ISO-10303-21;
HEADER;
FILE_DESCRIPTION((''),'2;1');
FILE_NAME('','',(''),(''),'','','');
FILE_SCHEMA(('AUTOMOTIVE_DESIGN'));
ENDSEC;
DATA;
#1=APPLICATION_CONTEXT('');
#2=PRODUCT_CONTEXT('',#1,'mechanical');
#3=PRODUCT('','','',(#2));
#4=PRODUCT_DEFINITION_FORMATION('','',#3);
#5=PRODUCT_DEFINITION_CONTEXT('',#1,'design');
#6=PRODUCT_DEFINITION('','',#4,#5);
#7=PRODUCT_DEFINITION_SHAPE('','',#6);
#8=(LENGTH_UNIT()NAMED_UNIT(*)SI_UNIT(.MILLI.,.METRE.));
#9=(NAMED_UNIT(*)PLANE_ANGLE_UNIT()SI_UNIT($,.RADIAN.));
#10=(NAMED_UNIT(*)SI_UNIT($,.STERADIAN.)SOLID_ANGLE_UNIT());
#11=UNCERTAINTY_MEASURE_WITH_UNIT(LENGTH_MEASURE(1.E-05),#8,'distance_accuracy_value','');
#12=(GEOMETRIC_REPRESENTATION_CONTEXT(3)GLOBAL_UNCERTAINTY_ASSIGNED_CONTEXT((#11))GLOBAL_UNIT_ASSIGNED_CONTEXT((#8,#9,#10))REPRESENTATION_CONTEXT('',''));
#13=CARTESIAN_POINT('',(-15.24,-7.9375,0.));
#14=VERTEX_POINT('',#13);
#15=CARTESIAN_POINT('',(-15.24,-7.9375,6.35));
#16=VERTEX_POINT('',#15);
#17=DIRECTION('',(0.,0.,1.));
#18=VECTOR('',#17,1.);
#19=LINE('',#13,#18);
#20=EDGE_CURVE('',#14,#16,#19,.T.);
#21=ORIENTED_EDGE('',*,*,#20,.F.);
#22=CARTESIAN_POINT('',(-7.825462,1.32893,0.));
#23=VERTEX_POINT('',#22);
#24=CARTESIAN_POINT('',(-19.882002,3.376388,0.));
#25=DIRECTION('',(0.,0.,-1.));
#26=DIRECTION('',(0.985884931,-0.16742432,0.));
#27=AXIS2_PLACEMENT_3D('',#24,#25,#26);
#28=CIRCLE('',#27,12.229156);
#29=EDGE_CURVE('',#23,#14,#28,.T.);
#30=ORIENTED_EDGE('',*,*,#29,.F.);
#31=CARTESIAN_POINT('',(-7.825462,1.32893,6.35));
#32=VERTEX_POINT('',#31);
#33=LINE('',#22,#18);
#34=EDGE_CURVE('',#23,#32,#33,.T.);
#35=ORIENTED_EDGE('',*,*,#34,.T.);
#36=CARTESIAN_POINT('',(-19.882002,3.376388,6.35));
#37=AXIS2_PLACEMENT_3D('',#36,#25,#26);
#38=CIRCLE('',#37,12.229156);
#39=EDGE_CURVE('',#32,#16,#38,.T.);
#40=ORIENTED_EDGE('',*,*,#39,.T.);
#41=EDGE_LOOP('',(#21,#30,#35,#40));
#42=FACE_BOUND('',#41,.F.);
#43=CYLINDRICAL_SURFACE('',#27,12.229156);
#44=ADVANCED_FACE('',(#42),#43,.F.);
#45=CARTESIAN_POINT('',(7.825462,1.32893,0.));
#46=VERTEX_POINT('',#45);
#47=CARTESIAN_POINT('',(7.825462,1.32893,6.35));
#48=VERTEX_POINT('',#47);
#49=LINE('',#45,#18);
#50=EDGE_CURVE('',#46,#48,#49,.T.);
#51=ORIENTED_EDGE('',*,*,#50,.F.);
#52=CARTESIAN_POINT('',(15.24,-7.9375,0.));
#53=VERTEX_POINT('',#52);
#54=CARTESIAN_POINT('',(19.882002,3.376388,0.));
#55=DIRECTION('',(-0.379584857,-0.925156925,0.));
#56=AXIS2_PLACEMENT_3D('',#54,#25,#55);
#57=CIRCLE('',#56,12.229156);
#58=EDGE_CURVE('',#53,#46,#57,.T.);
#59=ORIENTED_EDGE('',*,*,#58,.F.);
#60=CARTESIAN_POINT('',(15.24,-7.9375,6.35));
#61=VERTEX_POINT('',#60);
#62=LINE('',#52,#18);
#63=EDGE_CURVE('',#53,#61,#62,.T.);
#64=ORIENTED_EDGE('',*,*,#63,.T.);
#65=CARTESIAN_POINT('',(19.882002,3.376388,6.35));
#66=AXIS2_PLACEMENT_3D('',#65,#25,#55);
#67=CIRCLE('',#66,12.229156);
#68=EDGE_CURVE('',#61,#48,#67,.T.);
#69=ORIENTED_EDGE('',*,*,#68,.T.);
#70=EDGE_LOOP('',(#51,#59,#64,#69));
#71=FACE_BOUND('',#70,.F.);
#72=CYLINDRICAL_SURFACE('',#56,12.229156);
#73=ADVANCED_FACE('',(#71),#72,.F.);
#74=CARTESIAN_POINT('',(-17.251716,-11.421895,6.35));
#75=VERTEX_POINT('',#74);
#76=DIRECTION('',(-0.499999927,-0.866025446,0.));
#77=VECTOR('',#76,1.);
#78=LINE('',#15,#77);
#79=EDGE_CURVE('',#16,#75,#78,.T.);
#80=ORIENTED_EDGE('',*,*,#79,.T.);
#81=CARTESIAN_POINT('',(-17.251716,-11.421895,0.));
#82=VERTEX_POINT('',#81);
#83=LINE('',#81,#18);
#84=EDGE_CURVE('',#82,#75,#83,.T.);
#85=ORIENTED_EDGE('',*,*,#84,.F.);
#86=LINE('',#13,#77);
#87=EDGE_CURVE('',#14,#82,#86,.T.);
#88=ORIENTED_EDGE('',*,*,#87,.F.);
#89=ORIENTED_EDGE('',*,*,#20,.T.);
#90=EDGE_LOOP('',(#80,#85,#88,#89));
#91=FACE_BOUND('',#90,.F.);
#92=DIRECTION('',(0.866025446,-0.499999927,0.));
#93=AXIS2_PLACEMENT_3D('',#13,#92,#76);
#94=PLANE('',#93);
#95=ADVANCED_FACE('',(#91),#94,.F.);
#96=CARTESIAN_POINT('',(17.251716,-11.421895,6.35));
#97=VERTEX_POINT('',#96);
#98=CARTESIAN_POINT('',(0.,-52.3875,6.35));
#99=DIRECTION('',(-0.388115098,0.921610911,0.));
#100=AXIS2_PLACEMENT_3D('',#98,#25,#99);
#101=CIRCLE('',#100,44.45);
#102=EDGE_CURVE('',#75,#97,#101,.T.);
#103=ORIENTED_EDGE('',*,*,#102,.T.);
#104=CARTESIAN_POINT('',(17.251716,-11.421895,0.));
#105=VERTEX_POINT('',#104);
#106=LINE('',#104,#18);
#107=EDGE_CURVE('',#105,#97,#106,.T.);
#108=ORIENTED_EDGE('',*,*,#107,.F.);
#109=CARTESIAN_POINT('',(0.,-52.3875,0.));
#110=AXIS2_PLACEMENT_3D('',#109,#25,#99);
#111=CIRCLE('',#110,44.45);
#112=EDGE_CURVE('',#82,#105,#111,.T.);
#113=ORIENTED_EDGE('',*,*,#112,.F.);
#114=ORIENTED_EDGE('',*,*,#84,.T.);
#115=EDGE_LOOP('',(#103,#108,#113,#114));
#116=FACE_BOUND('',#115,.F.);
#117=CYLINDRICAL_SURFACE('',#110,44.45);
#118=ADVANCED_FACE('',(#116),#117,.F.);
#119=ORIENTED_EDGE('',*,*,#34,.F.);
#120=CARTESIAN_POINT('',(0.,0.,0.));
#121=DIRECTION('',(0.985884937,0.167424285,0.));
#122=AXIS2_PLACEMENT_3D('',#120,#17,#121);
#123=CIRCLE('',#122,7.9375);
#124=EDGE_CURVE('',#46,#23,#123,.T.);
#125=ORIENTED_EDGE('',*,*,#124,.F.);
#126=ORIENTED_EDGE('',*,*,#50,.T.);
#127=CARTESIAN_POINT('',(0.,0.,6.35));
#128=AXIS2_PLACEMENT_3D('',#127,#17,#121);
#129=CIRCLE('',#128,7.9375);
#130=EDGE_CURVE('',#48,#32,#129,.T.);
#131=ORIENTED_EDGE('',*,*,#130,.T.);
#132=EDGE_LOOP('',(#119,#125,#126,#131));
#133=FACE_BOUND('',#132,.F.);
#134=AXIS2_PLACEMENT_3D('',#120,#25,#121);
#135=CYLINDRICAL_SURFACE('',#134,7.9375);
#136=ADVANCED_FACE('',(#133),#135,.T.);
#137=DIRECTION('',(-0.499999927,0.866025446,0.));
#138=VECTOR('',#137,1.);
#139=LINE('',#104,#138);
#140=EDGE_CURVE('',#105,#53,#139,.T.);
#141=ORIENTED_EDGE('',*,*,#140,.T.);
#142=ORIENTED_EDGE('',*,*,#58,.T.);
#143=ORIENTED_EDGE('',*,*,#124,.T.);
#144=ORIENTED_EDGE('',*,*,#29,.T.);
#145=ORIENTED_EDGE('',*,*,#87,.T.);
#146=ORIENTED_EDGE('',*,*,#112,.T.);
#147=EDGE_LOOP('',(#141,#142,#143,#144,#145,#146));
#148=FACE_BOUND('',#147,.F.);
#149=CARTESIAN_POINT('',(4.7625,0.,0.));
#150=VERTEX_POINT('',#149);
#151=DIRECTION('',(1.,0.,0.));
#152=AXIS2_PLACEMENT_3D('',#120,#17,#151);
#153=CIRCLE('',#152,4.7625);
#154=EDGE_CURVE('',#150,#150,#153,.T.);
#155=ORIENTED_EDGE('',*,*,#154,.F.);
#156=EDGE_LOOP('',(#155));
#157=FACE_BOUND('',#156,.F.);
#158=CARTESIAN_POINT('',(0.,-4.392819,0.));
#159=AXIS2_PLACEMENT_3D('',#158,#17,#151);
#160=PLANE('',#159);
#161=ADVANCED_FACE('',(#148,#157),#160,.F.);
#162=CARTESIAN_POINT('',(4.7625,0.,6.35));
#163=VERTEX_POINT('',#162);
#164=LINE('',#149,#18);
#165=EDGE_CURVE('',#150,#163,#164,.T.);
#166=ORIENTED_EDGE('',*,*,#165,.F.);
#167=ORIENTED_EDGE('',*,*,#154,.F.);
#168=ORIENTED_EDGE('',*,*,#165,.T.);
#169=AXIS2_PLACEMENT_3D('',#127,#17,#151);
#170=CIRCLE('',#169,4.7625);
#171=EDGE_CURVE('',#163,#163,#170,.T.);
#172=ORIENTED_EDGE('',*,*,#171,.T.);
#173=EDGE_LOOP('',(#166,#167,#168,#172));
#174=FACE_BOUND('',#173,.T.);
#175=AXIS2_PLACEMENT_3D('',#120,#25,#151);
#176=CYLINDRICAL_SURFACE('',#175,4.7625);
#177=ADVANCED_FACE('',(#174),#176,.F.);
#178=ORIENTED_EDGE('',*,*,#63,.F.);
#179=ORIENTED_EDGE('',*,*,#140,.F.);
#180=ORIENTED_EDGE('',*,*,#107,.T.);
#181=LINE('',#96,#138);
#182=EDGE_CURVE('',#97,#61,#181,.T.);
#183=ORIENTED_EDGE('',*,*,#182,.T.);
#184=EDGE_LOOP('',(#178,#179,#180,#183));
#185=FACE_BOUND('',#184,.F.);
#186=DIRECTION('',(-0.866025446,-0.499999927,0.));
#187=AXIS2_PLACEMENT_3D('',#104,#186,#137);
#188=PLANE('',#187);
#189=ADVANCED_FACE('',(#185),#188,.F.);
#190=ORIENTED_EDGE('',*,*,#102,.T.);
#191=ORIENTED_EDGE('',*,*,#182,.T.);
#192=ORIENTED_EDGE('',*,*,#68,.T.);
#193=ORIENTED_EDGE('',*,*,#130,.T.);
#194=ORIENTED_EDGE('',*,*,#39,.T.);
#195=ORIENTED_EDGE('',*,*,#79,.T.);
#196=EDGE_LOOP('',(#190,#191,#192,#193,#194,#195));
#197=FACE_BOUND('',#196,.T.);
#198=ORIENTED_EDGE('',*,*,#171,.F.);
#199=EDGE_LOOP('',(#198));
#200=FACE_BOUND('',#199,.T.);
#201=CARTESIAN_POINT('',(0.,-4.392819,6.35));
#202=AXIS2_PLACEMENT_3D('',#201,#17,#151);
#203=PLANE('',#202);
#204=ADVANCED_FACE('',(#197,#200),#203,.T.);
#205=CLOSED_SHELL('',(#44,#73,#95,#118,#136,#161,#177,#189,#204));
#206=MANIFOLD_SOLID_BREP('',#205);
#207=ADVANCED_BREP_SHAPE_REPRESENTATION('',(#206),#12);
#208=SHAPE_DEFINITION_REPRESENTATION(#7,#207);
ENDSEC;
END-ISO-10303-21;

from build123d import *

# Parameters (mm, degrees)
F0_R     = 4.7625
F1_DEPTH = 6.35


with BuildPart() as f1:
    # F0 (on Top) → F1 (new body)
    with BuildSketch(Plane.XY):
        with BuildLine():
            ThreePointArc((-17.251716, -11.421895), (0, -7.9375), (17.251716, -11.421895))
            Line((17.251716, -11.421895), (15.24, -7.9375))
            ThreePointArc((15.24, -7.9375), (10.333337, -4.263981), (7.825462, 1.32893))
            ThreePointArc((7.825462, 1.32893), (0, 7.9375), (-7.825462, 1.32893))
            ThreePointArc((-7.825462, 1.32893), (-10.333337, -4.263981), (-15.24, -7.9375))
            Line((-15.24, -7.9375), (-17.251716, -11.421895))
        make_face()
        Circle(F0_R, mode=Mode.SUBTRACT)
    extrude(amount=F1_DEPTH)


solid = f1.part
